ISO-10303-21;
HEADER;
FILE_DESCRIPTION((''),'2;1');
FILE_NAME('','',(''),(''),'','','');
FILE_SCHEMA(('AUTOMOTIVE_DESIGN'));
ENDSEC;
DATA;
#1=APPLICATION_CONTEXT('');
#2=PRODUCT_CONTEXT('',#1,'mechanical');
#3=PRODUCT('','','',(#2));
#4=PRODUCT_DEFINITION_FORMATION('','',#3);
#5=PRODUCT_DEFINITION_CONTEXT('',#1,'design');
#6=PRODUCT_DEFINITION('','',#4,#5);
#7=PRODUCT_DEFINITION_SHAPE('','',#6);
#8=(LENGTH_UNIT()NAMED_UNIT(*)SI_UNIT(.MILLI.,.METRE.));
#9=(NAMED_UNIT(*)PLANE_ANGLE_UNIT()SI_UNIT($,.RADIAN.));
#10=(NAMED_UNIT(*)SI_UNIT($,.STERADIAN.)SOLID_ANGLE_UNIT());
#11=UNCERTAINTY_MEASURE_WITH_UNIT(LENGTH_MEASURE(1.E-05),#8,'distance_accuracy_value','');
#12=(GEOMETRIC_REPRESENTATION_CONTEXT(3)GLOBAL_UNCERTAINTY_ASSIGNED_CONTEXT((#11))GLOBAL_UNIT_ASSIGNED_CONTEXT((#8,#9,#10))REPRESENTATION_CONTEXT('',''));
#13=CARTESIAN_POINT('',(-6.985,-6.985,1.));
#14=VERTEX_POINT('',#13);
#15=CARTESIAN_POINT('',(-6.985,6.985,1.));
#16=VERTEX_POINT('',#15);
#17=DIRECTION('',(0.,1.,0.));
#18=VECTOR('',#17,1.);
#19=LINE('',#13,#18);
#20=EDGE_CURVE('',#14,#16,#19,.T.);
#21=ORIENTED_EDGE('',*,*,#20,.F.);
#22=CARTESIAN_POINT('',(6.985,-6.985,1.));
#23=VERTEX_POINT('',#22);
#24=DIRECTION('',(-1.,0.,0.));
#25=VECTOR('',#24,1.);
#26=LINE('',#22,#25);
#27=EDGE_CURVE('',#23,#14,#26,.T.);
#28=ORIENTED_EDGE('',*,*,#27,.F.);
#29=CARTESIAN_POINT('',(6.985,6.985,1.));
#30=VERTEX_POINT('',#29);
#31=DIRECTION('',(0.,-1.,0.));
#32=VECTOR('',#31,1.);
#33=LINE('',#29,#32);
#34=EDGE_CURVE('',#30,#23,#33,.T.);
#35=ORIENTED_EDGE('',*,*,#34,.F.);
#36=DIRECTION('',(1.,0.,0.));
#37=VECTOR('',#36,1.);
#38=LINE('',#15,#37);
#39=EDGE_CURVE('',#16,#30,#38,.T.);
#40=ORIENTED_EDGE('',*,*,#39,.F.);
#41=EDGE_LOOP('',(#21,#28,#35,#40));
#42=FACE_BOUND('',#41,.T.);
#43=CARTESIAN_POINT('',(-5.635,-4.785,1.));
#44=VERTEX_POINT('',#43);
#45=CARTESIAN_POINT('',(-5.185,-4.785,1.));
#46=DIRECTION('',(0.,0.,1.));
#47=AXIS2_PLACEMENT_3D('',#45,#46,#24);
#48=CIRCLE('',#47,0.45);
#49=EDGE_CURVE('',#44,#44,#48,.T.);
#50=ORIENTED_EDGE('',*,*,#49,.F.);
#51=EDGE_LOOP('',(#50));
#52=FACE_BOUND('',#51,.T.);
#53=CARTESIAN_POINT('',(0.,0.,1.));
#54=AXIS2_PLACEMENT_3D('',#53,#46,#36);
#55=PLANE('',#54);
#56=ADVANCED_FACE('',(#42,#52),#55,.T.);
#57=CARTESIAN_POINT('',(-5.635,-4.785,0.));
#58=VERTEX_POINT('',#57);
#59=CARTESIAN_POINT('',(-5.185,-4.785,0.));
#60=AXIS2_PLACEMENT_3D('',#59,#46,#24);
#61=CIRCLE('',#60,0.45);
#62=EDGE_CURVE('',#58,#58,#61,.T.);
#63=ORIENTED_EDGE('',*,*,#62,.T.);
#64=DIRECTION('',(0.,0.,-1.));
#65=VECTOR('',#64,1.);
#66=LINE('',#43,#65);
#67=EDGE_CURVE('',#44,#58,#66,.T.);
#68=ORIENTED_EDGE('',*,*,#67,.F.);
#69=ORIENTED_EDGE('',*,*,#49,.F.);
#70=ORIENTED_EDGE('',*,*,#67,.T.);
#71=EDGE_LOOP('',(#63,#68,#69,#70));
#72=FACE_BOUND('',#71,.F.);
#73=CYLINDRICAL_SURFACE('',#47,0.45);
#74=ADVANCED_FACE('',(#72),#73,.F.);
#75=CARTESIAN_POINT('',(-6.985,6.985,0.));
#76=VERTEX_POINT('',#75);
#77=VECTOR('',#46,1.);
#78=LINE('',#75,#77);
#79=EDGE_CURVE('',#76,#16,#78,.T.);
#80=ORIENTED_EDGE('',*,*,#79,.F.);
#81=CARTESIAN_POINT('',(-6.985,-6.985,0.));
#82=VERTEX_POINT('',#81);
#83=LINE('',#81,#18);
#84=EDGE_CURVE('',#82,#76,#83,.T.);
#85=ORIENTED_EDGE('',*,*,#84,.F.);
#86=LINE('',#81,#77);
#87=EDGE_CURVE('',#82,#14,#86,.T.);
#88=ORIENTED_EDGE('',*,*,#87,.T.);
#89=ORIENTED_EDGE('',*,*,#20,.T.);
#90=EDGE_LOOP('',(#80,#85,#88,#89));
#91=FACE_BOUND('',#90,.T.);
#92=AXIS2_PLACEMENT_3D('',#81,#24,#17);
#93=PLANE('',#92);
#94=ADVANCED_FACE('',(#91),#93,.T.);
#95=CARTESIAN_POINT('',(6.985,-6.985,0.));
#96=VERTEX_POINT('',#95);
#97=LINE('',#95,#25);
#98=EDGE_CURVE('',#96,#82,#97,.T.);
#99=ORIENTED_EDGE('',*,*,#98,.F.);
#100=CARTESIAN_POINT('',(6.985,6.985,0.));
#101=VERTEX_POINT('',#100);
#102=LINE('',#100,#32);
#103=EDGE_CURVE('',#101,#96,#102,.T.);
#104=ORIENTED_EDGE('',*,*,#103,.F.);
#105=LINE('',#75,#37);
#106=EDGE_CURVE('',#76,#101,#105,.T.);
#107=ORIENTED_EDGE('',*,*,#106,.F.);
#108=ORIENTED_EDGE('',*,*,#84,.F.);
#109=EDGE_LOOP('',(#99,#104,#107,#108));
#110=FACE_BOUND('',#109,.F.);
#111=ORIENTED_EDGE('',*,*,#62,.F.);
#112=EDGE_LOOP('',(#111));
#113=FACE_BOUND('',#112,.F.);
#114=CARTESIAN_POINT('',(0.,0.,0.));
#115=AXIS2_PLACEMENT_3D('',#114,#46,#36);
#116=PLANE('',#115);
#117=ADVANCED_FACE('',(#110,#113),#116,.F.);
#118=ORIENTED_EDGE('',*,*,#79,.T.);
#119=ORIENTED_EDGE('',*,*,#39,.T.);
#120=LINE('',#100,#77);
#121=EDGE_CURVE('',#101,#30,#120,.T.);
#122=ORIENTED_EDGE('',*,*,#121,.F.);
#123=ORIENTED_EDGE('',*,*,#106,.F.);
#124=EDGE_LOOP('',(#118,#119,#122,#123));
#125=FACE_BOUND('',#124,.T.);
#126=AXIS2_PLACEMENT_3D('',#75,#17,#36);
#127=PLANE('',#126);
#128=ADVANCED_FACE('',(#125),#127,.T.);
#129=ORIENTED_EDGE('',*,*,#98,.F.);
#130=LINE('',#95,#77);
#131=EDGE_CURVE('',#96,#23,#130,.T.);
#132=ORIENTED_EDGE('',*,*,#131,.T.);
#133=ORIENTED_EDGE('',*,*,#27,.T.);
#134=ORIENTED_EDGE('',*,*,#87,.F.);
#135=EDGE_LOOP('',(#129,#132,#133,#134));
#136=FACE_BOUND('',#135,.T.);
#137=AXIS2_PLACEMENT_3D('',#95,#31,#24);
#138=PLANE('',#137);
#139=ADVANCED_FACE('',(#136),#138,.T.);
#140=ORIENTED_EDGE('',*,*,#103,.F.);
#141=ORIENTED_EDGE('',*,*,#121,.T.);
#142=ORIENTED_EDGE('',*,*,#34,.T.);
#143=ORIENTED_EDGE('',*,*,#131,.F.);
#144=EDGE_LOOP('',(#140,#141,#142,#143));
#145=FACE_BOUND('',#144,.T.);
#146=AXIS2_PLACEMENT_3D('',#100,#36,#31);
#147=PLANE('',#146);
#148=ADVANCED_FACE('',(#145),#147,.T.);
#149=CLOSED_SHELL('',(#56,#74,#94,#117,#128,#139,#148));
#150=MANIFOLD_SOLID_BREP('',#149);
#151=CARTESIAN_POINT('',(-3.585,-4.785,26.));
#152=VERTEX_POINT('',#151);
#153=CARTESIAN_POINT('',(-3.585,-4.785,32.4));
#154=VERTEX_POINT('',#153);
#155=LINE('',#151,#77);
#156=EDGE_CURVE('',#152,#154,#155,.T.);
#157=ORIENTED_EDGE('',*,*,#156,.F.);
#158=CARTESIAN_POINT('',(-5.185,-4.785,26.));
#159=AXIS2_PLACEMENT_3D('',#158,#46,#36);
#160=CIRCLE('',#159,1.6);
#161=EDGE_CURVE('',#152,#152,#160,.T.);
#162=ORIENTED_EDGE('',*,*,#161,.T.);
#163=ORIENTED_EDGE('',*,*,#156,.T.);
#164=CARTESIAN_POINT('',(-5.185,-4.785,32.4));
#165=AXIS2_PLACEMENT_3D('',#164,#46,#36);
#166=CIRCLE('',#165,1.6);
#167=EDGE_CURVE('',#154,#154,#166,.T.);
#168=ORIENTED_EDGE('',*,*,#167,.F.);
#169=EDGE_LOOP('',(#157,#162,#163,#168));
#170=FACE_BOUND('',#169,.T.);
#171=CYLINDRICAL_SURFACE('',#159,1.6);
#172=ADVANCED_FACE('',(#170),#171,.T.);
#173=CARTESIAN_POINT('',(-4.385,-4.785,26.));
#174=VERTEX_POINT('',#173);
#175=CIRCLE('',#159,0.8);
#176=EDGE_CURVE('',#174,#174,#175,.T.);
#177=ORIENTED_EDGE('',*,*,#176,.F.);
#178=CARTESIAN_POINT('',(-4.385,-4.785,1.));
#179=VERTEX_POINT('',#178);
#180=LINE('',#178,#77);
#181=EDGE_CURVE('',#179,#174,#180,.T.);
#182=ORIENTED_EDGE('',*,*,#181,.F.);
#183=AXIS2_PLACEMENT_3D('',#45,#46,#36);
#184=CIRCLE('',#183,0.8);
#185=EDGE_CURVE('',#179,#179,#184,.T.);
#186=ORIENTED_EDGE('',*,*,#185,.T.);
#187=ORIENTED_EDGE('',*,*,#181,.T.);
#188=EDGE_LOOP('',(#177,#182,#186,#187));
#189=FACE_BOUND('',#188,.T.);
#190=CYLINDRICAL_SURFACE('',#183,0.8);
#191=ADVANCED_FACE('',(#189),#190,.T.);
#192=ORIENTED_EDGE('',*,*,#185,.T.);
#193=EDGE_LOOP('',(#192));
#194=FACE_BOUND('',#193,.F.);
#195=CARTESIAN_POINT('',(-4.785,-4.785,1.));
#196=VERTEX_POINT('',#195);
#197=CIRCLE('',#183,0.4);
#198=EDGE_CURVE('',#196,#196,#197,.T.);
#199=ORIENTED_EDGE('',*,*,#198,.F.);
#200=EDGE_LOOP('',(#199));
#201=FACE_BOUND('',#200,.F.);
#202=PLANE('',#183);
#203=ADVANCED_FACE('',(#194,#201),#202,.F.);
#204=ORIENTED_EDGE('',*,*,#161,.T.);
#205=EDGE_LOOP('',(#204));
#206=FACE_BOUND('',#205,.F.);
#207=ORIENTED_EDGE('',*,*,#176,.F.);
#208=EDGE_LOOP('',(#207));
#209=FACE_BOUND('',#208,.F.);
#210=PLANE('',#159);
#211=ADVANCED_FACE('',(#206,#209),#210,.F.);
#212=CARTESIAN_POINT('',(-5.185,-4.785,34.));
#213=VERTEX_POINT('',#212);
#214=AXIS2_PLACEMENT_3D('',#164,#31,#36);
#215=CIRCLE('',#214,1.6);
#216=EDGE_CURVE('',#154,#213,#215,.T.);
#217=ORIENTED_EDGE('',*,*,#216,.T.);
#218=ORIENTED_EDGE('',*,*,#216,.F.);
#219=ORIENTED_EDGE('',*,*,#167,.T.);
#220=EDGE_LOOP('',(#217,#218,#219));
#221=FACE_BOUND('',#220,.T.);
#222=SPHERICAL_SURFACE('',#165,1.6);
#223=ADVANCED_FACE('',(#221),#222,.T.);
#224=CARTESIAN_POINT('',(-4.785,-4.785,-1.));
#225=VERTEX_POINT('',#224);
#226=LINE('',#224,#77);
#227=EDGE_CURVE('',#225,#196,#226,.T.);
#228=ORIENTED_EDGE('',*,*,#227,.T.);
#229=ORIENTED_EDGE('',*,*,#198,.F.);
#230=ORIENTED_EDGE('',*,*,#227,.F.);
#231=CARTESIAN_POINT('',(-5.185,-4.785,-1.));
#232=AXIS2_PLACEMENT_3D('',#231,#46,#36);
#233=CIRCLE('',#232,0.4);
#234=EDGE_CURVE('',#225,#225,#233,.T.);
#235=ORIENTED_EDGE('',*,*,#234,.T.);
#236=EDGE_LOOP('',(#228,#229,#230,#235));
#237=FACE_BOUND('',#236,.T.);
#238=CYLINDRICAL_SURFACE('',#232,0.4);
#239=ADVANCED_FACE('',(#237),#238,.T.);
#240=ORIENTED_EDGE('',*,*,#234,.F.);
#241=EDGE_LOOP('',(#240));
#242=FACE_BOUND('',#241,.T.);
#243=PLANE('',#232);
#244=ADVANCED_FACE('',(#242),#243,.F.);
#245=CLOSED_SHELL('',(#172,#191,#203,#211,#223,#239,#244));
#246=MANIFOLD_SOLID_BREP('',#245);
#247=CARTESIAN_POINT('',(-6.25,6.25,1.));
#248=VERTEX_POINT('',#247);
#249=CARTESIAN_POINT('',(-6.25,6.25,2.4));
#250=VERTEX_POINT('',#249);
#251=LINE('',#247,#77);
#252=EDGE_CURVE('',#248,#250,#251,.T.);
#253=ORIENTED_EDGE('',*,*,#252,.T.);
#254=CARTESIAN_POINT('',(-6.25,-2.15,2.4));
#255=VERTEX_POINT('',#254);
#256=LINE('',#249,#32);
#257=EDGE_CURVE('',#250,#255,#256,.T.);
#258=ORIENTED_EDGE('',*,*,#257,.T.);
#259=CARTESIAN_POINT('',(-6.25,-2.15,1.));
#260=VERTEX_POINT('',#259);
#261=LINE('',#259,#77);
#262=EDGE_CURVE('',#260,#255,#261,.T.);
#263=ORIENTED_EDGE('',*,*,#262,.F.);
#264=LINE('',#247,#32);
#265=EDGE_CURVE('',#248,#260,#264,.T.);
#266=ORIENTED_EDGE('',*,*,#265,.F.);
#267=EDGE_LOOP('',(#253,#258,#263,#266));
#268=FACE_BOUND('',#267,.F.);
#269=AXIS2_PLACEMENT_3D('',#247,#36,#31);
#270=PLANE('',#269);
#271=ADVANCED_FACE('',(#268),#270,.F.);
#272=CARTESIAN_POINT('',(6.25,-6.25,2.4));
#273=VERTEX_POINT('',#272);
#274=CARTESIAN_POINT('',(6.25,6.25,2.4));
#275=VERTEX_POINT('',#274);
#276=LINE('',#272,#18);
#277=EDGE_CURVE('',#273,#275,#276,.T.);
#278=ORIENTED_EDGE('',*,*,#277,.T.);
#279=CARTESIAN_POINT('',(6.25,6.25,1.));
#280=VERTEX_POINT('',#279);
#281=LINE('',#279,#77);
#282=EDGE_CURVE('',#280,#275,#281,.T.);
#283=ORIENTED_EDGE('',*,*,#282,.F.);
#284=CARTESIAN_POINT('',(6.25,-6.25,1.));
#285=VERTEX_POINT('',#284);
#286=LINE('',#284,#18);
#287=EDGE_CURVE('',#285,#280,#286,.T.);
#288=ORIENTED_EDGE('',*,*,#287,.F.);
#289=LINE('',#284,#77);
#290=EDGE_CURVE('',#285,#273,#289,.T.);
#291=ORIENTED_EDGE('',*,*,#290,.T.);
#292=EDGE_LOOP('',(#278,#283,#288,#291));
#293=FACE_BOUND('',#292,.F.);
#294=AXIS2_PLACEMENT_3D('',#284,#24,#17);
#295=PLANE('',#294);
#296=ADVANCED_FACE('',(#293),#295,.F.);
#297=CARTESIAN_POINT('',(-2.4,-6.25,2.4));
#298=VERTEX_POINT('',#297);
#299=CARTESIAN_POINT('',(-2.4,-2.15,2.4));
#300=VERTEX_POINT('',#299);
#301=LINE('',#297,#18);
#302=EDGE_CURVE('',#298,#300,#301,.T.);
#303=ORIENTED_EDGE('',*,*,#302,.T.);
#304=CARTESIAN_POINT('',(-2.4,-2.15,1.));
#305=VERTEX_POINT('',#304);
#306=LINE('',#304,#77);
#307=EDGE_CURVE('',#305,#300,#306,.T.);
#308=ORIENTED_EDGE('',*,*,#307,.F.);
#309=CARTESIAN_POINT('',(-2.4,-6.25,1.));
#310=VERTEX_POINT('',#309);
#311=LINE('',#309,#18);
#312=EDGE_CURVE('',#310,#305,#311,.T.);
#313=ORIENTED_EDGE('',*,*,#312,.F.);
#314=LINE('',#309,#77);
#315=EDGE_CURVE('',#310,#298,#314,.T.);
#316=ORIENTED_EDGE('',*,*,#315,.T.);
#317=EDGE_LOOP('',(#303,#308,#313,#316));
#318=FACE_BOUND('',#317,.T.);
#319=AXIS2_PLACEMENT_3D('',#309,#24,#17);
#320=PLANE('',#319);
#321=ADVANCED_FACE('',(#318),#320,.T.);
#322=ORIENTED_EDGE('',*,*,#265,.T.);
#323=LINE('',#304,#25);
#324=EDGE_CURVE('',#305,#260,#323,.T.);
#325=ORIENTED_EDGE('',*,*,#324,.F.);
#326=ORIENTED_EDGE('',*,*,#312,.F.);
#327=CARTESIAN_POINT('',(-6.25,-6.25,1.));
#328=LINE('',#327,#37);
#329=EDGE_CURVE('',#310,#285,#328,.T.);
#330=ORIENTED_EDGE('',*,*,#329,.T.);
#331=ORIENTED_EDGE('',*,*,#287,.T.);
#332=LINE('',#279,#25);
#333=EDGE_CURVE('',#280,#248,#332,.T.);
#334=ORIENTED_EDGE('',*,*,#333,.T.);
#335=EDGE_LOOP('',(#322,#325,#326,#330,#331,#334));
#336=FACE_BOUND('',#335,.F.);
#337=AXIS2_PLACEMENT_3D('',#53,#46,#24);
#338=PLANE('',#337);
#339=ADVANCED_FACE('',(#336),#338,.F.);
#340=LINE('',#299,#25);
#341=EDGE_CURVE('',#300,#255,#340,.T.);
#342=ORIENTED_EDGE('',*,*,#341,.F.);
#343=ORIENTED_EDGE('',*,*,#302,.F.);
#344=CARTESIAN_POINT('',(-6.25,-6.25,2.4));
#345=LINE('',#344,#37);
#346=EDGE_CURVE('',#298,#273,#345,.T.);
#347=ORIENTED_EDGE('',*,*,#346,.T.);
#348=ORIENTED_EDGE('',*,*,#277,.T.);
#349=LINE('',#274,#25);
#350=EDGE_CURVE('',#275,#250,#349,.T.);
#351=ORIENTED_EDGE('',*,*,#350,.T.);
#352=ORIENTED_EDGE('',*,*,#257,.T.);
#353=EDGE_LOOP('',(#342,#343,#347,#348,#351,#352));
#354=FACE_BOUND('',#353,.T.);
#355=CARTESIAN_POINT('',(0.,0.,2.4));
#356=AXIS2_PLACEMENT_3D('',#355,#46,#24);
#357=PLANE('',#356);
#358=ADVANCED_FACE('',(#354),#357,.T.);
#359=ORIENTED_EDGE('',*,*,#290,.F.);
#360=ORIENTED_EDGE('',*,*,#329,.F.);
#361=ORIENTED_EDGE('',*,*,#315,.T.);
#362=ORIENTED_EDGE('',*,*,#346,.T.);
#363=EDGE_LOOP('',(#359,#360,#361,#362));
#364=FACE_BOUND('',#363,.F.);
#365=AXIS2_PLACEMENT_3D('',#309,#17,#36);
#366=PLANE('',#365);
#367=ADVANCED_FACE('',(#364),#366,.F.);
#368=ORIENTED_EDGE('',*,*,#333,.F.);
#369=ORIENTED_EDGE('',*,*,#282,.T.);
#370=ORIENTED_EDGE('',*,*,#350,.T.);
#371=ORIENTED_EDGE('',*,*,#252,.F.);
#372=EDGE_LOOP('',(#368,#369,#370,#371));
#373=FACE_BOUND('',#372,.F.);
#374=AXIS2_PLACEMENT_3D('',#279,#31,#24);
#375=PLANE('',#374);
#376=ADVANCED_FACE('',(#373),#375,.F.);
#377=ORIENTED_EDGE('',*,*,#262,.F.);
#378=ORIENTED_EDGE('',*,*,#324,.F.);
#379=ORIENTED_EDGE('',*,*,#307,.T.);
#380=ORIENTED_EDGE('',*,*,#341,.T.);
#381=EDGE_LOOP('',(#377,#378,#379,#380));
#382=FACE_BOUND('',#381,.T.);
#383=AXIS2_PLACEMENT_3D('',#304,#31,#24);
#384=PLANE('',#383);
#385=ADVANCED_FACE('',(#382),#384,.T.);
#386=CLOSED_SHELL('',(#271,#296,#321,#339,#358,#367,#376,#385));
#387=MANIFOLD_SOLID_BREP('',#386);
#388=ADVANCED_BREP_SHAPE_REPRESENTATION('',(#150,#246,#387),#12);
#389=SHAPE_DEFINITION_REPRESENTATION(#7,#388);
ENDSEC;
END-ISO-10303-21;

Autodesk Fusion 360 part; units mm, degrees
sketch "スケッチ1" plane through (0, 0, 0) normal (0, 0, 1) x (1, 0, 0)
  line L0 (6.985, -6.985) -> (-6.985, -6.985)
  line L1 (-6.985, -6.985) -> (-6.985, 6.985)
  line L2 (-6.985, 6.985) -> (6.985, 6.985)
  line L3 (6.985, 6.985) -> (6.985, -6.985)
  line L4 (6.985, -6.985) -> (-6.985, 6.985) construction
  line L5 (-6.985, -6.985) -> (6.985, 6.985) construction
  dimension "d1" = 13.97
  dimension "d2" = 13.97
extrude "押し出し1" add sketch "スケッチ1" along normal blind 1 makes body 1
sketch "スケッチ2" plane through (0, 0, 1) normal (0, 0, 1) x (-1, 0, 0)
  line L0 (-6.985, -6.985) -> (6.985, -6.985)
  line L1 (6.985, -6.985) -> (6.985, 6.985)
  line L2 (6.985, 6.985) -> (-6.985, 6.985)
  line L3 (-6.985, 6.985) -> (-6.985, -6.985)
  line L4 (-6.25, -6.25) -> (6.25, -6.25)
  line L5 (6.25, -6.25) -> (6.25, 6.25)
  line L6 (6.25, 6.25) -> (-6.25, 6.25)
  line L7 (-6.25, 6.25) -> (-6.25, -6.25)
  line L8 (-6.25, -6.25) -> (6.25, 6.25) construction
  line L9 (6.25, -6.25) -> (-6.25, 6.25) construction
  circle A0 centre (5.185, 4.785) radius 0.45
  line L10 (6.25, -6.25) -> (6.25, 2.15)
  line L11 (-6.25, 6.25) -> (2.4, 6.25)
  line L12 (2.4, 6.25) -> (2.4, 2.15)
  line L13 (2.4, 2.15) -> (6.25, 2.15)
  dimension "d20" = 12.5
  dimension "d21" = 12.5
  dimension "d24" = 0.9
  dimension "d25" = 8.4
  dimension "d26" = 8.65
extrude "押し出し2" add sketch "スケッチ2" along normal blind 1.4 separate body contours L4 L5 L6 L7 L10 L11 L12 L13 makes body 2
extrude "押し出し3" cut sketch "スケッチ2" against normal blind 1 contours A0 bodies 1
cylinder "円柱プリミティブ1" add diameter 0.8 height 2 placed x (1, 0, 0) y (0, 1, 0) z (0, 0, 1) at (11, 0, 0) separate body makes body 3
cylinder "円柱プリミティブ2" add diameter 1.6 height 25 placed x (1, 0, 0) y (0, 1, 0) z (0, 0, 1) at (11, 0, 2) bodies 3
cylinder "円柱プリミティブ3" add diameter 3.2 height 8 placed x (1, 0, 0) y (0, 1, 0) z (0, 0, 1) at (11, 0, 27) bodies 3
fillet "フィレット1" radius 1.6 1 edges at (9.5083, -0.5786, 35) on bodies 3
copy_body "ボディ -> コンポーネント1" bodies 3 removing the originals makes body 4 in component "アンテナ"
component "アンテナ" placed x (1, 0, 0) y (0, 1, 0) z (0, 0, 1) at (-16.185, -4.785, -1)
